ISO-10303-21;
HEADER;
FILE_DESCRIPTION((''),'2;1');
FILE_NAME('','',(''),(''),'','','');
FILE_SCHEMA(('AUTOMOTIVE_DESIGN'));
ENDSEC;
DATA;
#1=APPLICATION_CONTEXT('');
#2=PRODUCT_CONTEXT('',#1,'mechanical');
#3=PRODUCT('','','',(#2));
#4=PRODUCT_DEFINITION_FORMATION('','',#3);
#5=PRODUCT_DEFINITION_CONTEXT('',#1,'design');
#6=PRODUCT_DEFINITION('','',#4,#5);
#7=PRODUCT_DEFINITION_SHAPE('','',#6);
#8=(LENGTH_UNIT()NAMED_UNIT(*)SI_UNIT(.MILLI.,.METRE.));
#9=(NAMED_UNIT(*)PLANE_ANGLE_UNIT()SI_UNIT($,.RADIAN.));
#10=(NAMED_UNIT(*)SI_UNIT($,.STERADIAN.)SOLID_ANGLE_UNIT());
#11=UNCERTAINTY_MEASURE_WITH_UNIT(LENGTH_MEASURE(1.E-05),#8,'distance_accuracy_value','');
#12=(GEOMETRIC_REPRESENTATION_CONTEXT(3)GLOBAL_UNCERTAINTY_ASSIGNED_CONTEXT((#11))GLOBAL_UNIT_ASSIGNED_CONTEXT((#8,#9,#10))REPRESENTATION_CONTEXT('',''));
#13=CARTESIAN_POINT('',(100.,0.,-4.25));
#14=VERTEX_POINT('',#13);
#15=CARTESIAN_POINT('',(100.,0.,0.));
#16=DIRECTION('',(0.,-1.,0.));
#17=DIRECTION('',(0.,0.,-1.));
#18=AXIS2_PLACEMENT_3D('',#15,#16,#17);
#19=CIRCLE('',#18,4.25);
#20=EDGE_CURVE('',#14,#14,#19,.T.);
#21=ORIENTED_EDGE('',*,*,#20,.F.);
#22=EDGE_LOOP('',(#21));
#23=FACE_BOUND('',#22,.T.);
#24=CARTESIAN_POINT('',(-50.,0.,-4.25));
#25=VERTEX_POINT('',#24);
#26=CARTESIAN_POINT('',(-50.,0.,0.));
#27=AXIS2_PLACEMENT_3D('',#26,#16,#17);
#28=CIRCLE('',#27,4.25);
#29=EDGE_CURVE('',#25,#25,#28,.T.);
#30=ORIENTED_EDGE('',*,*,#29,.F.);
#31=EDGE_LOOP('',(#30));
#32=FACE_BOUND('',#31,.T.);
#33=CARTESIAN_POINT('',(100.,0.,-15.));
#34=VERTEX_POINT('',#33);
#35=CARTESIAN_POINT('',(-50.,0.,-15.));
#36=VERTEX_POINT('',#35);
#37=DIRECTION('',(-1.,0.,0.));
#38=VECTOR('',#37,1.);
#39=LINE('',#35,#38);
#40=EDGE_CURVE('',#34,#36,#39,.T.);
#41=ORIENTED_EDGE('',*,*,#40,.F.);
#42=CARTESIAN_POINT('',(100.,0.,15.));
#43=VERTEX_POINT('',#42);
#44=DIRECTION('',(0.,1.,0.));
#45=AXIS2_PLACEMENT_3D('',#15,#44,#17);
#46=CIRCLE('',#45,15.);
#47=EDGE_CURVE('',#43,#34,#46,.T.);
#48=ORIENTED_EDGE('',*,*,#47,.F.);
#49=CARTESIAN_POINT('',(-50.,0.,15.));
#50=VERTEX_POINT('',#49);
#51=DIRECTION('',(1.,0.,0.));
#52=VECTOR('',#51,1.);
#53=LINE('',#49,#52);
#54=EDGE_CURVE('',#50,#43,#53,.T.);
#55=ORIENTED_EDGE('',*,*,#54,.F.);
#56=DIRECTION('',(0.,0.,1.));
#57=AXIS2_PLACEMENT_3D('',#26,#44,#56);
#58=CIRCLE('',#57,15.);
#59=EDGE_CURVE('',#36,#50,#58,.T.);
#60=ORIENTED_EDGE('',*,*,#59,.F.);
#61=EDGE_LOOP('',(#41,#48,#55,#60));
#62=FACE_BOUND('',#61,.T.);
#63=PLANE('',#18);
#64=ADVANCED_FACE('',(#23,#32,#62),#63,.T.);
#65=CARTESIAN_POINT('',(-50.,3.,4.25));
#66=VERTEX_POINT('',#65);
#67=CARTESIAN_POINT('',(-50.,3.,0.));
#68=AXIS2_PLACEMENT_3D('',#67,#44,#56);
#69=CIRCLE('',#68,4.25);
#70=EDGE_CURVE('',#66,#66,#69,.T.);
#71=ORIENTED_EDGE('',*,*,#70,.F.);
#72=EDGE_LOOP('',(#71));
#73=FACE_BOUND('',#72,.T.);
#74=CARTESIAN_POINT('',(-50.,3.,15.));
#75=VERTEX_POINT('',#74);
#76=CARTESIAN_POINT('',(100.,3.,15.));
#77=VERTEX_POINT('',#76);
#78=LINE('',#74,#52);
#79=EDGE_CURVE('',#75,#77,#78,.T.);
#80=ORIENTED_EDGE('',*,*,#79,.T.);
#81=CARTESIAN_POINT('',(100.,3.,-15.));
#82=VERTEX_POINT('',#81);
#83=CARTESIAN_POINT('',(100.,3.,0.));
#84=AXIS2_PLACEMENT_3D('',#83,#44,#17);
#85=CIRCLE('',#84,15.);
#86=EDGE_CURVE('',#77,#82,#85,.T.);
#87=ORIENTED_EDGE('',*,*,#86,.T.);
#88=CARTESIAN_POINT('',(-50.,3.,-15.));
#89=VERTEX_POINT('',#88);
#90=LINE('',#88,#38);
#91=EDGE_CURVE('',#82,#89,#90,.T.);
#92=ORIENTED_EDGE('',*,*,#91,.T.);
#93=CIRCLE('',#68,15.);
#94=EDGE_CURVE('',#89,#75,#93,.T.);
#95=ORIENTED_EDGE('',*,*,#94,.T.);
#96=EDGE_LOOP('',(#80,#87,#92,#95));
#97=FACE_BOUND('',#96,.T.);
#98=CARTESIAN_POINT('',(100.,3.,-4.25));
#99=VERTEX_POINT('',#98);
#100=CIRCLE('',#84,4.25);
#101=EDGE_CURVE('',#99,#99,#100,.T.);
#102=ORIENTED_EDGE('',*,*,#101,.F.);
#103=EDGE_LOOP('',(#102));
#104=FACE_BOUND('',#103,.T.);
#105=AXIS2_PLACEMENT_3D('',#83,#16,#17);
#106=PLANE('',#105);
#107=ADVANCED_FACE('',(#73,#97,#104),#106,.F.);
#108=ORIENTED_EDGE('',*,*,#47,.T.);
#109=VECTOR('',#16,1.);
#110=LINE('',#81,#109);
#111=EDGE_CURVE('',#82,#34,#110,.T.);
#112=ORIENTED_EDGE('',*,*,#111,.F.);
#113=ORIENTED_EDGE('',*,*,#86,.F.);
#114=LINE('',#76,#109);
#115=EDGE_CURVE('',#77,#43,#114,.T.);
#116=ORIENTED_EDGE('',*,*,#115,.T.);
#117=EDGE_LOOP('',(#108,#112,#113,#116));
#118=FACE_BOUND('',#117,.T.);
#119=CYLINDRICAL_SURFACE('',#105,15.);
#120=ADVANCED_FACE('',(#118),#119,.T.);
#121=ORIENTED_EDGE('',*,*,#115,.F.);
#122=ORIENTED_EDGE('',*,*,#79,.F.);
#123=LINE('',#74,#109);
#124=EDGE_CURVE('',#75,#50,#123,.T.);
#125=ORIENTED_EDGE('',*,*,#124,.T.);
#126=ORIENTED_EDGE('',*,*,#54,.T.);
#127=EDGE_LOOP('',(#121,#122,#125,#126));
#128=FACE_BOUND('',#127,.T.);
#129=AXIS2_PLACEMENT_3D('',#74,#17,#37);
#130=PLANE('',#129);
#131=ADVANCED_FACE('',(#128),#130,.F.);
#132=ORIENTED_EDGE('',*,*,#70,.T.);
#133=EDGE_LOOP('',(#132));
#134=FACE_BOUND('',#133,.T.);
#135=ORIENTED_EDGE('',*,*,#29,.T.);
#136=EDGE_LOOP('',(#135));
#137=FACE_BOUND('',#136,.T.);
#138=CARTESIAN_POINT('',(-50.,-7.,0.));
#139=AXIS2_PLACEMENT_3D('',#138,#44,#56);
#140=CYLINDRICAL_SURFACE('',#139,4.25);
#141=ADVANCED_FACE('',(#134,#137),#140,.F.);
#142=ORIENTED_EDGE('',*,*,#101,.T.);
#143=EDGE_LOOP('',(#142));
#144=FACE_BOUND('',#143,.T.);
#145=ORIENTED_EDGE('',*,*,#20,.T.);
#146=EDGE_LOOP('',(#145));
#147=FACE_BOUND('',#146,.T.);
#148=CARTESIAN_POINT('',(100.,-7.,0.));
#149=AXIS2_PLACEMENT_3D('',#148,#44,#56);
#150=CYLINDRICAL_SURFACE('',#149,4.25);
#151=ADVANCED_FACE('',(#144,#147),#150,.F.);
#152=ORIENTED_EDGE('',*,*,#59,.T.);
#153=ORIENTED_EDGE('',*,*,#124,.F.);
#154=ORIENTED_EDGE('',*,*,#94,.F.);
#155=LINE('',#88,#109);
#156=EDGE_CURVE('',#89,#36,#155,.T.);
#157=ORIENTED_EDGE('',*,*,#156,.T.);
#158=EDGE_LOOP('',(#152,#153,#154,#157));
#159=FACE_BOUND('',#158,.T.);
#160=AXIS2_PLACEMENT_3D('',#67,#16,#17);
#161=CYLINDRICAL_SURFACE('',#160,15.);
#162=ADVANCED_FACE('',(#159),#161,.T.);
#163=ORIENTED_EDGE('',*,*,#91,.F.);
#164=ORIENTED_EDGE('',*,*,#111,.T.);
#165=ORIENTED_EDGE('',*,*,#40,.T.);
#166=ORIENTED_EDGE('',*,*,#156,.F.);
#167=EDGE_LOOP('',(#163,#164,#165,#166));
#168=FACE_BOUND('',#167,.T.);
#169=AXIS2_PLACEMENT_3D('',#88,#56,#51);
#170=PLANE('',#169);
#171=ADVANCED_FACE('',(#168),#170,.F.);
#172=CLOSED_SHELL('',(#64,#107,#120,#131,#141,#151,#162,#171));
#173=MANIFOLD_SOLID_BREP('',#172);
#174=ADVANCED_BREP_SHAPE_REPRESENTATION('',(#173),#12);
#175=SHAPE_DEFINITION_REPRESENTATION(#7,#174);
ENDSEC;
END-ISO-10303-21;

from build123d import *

# Parameters (mm, degrees)
RESSALTO_EXTRUS_O2_DEPTH = 3
ESBO_O4_R                = 4.25
CORTE_EXTRUS_O1_DEPTH    = 10


with BuildPart() as part:
    # Esboço3 → Ressalto-extrusão2 (new body)
    with BuildSketch(Plane(origin=(0, 0, 0), x_dir=(1, 0, 0), z_dir=(0, 1, 0))):
        with BuildLine():
            Line((-50, 15), (100, 15))
            ThreePointArc((100, 15), (115, 0), (100, -15))
            Line((100, -15), (-50, -15))
            ThreePointArc((-50, -15), (-65, 0), (-50, 15))
        make_face()
    extrude(amount=RESSALTO_EXTRUS_O2_DEPTH)

    # Esboço4 → Corte-extrusão1 (cut)
    with BuildSketch(Plane(origin=(0, 3, 0), x_dir=(1, 0, 0), z_dir=(0, 1, 0))):
        with Locations(Location((-50, 0, 0), (0, 0, 270))):
            Circle(ESBO_O4_R)
        with Locations(Location((100, 0, 0), (0, 0, 90))):
            Circle(ESBO_O4_R)
    extrude(amount=-CORTE_EXTRUS_O1_DEPTH, mode=Mode.SUBTRACT)


solid = part.part
